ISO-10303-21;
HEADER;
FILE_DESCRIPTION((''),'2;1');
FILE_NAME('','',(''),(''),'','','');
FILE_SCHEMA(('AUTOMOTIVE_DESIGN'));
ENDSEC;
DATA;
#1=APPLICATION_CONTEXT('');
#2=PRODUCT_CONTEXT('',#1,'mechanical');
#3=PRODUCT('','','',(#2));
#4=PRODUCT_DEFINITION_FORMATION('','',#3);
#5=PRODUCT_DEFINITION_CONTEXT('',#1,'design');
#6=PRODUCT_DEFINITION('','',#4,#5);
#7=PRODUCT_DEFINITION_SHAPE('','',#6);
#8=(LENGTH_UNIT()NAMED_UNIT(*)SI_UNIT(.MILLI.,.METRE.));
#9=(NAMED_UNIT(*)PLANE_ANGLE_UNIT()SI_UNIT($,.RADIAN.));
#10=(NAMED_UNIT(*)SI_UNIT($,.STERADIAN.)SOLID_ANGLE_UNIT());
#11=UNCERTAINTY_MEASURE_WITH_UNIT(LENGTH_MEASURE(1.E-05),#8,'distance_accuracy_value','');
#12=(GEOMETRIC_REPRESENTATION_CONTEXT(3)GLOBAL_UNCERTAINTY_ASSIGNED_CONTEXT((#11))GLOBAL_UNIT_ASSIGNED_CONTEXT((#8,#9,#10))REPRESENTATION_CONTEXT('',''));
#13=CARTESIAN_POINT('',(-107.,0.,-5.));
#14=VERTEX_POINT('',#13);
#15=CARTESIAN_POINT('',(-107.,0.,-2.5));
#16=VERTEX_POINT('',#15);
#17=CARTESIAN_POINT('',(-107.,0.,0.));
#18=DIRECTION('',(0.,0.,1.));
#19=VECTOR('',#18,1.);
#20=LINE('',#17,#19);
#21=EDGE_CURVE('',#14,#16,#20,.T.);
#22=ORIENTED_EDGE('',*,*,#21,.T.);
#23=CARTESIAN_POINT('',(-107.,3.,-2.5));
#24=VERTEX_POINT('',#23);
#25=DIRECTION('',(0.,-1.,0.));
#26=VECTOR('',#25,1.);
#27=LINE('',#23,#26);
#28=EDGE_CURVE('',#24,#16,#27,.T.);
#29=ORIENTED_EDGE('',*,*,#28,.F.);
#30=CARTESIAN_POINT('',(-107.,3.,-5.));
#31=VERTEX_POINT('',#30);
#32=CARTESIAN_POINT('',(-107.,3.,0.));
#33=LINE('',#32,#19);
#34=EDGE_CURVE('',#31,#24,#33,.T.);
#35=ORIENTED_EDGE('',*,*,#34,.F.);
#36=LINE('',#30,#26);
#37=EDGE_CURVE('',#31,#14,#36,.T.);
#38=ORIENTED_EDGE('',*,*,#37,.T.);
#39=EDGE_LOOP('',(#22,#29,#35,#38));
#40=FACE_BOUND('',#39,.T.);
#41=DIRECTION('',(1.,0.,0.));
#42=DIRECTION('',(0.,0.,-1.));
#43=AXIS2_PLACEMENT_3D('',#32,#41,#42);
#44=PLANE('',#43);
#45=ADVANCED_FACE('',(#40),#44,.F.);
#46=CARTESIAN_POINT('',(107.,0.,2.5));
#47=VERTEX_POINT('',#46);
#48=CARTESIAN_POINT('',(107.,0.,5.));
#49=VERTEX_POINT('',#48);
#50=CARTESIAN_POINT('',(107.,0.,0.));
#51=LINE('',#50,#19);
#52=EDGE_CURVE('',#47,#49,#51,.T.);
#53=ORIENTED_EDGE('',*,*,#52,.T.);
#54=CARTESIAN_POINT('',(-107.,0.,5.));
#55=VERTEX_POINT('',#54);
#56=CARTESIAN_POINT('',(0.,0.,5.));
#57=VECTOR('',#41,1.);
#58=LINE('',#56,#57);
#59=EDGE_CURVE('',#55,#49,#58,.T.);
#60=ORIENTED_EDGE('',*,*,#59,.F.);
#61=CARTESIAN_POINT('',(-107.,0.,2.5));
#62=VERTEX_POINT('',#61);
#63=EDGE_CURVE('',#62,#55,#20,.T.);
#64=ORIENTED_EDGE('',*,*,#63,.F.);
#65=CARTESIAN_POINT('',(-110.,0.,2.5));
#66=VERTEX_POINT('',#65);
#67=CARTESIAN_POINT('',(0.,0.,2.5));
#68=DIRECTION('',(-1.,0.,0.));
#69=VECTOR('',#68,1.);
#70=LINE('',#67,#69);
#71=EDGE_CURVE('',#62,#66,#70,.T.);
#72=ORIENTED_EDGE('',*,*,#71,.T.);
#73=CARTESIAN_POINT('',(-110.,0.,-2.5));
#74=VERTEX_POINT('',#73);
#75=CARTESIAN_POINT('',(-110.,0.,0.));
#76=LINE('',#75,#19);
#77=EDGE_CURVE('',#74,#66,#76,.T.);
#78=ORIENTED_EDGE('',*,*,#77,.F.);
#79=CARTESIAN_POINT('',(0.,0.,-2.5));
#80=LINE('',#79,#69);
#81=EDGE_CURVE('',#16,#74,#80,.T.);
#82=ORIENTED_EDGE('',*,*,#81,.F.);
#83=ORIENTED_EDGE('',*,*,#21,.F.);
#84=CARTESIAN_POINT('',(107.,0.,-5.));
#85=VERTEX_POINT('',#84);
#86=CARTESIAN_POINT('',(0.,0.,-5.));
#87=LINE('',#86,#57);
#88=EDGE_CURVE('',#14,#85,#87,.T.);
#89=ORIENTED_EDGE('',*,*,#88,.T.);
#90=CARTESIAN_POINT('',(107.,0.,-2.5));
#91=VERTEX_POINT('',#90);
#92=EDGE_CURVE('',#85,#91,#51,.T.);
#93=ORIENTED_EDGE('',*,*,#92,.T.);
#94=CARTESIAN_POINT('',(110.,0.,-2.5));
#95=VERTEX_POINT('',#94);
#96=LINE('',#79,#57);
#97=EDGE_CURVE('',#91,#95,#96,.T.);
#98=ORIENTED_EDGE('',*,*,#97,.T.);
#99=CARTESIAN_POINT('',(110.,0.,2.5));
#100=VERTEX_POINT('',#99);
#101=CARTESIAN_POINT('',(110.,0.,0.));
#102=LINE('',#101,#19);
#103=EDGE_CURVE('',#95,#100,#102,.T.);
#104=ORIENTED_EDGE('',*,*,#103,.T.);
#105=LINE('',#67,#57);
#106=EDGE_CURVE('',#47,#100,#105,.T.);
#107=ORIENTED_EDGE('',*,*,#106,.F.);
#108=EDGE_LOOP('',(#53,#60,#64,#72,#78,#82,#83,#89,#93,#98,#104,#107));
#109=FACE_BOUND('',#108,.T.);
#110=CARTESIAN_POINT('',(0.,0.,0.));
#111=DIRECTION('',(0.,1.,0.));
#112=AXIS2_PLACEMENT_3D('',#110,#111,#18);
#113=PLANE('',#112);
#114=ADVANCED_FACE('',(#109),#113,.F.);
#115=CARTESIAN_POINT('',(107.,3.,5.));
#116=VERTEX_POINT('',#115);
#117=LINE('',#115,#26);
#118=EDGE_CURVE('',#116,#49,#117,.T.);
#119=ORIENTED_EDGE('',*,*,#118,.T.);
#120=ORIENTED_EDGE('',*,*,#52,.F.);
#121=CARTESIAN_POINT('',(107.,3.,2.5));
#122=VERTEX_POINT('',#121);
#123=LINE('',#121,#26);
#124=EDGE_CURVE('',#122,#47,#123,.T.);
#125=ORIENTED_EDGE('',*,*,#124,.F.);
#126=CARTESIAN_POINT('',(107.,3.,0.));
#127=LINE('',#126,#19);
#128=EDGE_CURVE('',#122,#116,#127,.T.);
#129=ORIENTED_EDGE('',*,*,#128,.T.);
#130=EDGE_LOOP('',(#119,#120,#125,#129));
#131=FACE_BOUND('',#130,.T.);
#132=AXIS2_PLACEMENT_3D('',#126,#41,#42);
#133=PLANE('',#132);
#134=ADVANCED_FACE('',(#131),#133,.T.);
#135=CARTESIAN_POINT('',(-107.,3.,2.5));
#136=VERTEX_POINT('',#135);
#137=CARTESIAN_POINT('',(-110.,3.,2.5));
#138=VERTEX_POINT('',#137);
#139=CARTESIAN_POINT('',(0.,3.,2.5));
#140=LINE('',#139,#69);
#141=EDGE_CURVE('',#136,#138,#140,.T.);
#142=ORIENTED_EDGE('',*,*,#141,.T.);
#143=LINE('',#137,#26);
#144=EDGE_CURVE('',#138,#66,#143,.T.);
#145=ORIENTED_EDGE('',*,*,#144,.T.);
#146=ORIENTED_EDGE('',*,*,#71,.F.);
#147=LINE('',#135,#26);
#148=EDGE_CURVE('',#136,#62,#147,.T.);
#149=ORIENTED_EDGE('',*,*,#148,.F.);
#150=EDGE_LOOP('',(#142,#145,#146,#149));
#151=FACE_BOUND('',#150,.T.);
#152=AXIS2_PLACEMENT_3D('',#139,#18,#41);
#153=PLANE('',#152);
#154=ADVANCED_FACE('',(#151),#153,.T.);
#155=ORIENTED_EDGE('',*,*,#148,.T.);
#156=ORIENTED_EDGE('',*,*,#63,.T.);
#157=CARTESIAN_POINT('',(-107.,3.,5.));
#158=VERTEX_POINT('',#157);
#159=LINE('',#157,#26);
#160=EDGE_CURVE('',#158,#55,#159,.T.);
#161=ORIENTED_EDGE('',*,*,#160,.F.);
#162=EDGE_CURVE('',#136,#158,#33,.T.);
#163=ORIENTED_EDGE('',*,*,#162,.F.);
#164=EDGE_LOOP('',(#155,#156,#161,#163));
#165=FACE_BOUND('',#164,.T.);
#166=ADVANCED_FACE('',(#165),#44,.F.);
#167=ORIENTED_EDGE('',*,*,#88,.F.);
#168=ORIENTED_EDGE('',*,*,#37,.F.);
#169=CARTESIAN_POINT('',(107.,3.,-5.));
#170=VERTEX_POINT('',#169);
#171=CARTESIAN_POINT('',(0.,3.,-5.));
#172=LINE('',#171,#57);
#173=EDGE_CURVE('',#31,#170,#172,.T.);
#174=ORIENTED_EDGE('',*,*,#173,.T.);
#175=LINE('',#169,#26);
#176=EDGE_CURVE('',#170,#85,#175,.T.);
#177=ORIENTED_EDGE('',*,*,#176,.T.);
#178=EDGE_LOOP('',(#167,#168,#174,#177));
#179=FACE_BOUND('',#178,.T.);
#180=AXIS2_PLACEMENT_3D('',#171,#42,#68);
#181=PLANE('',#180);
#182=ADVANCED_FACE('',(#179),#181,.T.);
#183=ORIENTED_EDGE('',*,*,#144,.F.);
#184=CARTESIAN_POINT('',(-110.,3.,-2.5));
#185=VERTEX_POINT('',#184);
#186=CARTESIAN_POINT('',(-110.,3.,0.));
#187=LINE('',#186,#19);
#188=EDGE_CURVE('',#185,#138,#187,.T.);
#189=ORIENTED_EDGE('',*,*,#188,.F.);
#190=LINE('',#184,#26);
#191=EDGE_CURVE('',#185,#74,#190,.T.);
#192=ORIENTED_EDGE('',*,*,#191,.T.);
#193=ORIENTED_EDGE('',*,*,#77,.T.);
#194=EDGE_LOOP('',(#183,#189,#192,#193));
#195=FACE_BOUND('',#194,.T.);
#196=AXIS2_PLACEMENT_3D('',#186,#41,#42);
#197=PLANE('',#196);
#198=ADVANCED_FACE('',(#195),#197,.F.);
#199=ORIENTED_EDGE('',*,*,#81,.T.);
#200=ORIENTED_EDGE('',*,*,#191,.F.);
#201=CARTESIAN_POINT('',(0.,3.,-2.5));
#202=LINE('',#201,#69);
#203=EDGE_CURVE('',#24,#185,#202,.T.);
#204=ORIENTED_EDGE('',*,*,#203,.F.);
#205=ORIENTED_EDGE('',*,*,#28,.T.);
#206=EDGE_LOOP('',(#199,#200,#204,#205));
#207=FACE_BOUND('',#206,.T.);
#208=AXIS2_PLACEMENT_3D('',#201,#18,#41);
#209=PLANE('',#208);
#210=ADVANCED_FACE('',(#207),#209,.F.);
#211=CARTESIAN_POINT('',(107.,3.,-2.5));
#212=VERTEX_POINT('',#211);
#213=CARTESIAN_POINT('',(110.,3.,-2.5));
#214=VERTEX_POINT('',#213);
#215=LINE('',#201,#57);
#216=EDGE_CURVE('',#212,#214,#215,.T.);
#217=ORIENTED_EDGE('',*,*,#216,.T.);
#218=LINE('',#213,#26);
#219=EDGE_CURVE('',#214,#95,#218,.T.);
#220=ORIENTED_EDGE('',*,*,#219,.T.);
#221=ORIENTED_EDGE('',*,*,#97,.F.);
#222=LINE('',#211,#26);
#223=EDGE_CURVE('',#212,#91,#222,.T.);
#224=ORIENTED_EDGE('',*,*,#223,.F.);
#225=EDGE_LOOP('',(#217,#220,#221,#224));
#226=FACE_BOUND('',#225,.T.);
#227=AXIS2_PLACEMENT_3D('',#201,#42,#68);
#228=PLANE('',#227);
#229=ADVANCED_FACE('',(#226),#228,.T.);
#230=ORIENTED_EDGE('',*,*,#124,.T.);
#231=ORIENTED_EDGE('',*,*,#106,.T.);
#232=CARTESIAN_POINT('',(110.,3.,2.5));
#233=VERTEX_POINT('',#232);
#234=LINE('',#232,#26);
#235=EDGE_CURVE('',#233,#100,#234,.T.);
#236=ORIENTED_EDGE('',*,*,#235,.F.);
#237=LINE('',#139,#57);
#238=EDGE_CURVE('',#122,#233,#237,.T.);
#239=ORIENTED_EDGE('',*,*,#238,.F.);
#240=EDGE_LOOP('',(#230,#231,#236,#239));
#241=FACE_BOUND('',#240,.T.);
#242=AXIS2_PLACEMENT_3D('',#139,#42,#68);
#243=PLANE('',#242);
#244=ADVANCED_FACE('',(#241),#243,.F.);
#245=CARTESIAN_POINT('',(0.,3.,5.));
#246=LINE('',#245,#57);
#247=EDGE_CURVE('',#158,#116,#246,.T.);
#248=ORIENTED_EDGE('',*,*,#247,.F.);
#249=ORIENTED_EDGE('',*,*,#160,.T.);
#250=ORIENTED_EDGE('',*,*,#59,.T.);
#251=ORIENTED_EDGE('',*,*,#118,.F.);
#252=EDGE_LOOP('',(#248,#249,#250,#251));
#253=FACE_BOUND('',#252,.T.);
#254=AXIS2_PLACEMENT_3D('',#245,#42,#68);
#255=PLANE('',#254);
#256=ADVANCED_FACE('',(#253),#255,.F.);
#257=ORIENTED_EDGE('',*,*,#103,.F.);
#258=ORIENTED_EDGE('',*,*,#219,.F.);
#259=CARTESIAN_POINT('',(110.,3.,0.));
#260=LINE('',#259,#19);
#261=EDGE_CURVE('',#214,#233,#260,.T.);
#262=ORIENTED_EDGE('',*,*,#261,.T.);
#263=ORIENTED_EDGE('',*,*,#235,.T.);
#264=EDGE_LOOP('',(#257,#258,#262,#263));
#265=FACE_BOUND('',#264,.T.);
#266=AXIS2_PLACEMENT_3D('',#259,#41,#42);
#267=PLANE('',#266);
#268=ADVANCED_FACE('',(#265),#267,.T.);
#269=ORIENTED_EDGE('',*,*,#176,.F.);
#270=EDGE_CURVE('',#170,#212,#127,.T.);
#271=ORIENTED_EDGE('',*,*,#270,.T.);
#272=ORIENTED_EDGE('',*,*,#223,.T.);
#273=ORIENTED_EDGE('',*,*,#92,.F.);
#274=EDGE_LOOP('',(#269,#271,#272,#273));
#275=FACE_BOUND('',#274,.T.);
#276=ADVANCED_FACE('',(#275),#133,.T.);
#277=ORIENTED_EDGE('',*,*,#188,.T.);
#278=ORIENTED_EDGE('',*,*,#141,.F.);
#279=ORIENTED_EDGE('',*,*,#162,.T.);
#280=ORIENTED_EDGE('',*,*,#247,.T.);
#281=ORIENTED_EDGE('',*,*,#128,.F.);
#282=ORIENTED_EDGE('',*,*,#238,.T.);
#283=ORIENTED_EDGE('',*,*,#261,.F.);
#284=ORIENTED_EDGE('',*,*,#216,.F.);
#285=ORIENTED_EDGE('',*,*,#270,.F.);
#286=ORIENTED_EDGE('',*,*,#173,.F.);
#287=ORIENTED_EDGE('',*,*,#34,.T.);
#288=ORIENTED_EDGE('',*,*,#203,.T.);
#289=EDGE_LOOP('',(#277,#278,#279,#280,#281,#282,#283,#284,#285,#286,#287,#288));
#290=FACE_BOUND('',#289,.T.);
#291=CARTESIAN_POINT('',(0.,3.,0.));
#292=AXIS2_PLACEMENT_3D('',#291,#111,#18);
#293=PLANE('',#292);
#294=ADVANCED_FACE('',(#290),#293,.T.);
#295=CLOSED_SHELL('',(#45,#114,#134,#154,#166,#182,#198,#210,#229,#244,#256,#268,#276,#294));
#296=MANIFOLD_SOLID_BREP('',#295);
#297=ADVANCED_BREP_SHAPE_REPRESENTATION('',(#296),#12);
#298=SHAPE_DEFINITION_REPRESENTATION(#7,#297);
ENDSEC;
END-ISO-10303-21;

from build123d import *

# Parameters (mm, degrees)
CROQUIS1_W              = 3
CROQUIS1_H              = 5
CROQUIS1_W_2            = 214
CROQUIS1_H_2            = 10
SALIENTE_EXTRUIR1_DEPTH = 3


with BuildPart() as part:
    # Croquis1 → Saliente-Extruir1 (new body)
    with BuildSketch(Plane(origin=(0, 0, 0), x_dir=(1, 0, 0), z_dir=(0, 1, 0))):
        with Locations((108.5, 0)):
            Rectangle(CROQUIS1_W, CROQUIS1_H)
        Rectangle(CROQUIS1_W_2, CROQUIS1_H_2)
        with Locations((-108.5, 0)):
            Rectangle(CROQUIS1_W, CROQUIS1_H)
    extrude(amount=SALIENTE_EXTRUIR1_DEPTH)


solid = part.part
